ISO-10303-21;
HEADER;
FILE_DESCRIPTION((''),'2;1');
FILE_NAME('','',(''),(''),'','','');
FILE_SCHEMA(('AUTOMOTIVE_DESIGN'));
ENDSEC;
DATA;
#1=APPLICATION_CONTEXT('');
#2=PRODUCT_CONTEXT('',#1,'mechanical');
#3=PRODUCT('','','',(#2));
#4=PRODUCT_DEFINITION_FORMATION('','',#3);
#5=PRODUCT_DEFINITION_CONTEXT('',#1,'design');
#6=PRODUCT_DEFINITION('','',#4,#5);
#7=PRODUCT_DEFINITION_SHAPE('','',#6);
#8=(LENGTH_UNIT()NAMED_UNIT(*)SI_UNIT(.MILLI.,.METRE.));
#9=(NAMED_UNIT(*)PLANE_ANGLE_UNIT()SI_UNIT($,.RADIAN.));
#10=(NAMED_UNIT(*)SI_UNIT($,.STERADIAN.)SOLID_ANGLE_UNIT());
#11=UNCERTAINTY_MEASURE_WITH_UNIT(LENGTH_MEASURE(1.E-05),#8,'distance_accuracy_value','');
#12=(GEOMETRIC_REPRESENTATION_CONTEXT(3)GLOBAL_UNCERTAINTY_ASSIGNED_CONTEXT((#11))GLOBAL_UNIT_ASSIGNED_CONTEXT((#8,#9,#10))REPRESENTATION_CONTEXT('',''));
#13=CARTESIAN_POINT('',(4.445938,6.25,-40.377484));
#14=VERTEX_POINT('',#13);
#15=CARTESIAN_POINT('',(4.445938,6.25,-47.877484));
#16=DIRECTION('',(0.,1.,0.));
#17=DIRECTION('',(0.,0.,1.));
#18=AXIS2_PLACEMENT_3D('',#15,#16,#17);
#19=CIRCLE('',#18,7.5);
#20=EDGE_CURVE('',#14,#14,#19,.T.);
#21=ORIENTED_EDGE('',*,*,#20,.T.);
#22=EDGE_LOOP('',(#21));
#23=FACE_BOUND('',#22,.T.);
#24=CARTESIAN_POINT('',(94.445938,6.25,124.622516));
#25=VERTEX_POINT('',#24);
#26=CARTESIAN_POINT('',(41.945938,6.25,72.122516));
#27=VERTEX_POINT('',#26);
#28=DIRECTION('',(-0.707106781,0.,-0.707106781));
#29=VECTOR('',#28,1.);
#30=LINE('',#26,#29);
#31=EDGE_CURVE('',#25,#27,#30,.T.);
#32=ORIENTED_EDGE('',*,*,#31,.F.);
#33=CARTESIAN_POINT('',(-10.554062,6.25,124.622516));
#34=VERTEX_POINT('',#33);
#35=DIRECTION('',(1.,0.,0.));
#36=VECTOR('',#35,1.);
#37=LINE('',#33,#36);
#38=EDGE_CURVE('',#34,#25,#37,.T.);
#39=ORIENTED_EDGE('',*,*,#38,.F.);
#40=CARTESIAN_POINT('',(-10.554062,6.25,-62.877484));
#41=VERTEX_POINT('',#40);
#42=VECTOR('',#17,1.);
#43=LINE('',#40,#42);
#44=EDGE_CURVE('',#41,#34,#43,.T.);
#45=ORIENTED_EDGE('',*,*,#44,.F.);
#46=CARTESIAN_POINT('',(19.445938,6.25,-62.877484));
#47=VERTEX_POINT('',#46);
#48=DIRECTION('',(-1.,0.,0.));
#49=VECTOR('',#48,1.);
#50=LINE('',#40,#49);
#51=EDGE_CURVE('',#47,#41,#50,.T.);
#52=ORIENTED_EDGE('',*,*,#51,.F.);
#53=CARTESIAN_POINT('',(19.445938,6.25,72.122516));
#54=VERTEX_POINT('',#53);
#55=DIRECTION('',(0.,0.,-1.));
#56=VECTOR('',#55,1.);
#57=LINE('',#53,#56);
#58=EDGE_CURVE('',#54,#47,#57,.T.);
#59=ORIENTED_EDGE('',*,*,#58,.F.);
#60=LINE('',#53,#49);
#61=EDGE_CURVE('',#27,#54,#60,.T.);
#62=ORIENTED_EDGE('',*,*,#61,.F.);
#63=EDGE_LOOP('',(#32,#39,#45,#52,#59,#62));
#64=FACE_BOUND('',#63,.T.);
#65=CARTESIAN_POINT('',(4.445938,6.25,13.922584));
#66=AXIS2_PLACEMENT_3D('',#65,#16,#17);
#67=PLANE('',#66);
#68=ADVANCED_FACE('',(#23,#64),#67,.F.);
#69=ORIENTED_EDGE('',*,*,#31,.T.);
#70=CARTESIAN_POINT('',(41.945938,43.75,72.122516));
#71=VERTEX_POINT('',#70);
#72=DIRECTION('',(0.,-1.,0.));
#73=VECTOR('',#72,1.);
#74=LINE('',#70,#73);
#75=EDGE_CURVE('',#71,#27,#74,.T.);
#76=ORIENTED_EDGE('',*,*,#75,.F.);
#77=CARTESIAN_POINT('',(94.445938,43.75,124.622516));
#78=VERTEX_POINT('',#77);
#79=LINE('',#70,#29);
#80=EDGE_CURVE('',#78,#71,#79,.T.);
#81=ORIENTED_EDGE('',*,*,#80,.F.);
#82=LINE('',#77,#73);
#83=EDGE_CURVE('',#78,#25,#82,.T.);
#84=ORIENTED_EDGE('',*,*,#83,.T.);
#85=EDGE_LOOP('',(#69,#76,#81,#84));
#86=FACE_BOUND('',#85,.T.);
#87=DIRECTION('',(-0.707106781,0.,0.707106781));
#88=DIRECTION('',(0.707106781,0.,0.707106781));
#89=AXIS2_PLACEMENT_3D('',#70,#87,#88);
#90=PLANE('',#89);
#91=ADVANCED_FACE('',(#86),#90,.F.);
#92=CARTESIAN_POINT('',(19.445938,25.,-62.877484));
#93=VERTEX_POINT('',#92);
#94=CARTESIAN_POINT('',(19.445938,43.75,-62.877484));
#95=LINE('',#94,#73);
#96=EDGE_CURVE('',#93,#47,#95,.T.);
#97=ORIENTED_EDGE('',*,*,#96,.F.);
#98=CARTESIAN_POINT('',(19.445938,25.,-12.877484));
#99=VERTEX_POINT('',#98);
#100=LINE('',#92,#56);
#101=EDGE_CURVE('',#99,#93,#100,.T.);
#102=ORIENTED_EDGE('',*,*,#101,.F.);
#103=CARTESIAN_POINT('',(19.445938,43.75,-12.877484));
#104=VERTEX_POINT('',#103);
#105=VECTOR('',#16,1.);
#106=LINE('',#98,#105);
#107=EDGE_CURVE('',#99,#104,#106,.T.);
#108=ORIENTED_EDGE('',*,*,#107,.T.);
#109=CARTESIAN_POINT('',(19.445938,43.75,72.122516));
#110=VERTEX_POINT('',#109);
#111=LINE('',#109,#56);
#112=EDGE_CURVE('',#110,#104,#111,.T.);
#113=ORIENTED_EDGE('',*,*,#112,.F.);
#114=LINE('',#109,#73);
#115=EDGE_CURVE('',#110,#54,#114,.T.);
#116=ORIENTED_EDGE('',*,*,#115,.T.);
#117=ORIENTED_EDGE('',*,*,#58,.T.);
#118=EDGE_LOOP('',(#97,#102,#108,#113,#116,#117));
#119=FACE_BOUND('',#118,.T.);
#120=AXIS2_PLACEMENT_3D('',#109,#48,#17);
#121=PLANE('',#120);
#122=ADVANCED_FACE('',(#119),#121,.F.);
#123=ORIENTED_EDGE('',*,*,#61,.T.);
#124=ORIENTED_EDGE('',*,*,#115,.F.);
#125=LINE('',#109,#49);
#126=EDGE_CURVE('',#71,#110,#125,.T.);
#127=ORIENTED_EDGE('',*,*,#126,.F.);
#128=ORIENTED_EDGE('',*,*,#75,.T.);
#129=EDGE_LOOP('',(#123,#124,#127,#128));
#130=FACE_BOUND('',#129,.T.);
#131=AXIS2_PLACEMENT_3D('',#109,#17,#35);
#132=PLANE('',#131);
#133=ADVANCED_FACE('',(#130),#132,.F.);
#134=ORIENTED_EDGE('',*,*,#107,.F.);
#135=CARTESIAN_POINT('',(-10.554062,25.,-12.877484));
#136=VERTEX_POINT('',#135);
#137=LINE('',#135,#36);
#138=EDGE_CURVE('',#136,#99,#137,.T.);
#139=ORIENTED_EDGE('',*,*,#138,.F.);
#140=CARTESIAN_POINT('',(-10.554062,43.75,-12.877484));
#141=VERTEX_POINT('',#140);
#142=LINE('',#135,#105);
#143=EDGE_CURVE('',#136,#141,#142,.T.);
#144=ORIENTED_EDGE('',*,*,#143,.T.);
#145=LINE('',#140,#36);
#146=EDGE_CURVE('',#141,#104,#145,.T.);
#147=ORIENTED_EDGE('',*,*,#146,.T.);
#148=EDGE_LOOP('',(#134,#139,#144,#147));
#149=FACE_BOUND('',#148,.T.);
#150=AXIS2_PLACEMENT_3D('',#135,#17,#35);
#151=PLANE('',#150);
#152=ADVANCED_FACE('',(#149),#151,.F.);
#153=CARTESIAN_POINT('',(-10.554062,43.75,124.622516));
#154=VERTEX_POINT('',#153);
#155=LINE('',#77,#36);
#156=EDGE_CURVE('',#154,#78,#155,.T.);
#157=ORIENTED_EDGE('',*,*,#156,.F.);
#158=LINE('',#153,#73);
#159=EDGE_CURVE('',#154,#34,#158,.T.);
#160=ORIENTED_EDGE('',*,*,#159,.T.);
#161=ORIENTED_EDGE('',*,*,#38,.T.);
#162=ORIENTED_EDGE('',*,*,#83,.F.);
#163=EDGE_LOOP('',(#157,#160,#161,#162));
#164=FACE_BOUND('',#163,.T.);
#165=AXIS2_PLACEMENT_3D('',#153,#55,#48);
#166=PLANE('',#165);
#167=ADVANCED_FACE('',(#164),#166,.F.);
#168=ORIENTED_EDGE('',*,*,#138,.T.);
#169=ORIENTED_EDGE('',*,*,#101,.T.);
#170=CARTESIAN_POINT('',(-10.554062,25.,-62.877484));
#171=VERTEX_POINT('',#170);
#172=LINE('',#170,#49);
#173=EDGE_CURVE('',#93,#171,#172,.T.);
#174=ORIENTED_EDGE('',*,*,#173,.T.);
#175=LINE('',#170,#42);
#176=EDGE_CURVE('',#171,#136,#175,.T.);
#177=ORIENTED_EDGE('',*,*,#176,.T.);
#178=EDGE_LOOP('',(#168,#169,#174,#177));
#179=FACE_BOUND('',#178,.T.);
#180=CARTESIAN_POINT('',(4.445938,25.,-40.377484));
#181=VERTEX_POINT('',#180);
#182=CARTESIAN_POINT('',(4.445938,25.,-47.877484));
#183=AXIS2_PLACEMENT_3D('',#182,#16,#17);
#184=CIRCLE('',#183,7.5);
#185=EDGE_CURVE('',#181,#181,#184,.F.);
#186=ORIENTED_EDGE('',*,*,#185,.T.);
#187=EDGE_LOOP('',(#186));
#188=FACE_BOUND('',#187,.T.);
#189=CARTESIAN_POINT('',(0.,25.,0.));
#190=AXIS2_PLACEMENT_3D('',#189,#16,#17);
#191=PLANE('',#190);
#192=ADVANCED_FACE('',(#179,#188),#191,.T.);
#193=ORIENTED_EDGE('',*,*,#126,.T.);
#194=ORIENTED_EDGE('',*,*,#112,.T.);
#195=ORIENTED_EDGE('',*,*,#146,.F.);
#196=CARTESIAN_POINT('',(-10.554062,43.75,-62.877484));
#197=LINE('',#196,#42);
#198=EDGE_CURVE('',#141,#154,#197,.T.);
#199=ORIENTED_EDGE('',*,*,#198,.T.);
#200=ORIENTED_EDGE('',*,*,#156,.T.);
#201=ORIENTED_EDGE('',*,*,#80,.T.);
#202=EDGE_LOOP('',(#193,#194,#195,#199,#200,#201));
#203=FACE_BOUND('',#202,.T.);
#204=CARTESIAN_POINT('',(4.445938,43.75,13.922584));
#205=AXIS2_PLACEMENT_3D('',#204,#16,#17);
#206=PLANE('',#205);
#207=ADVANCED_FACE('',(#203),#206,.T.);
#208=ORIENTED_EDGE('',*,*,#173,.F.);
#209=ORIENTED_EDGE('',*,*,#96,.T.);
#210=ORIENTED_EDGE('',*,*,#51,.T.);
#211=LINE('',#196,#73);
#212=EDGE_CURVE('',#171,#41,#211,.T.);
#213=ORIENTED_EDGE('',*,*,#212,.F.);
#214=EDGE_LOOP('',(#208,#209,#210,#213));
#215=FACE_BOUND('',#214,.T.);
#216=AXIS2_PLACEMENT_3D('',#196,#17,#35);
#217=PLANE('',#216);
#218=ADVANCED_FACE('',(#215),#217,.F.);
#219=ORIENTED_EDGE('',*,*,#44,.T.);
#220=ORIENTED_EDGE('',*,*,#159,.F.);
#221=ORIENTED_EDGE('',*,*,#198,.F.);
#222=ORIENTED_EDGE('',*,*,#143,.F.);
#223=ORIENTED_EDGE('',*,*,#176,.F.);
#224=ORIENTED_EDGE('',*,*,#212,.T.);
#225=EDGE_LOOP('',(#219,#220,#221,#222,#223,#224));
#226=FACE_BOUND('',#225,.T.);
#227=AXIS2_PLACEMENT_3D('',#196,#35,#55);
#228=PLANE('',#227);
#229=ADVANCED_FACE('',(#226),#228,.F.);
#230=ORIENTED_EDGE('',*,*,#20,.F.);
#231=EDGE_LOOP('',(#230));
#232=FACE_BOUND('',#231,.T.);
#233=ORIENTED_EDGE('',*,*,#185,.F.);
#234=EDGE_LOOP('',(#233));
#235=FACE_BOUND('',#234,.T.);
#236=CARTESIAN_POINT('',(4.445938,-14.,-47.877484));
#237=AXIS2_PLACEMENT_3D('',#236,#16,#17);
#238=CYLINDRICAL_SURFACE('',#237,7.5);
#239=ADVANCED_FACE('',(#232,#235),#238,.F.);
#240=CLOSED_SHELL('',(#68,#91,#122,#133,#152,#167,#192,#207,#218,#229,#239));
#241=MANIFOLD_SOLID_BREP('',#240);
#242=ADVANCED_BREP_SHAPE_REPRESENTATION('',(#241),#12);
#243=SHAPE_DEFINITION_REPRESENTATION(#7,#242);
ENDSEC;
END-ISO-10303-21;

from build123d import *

# Parameters (mm, degrees)
BOSS_EXTRUDE1_DEPTH = 50
SKETCH2_R           = 10
CUT_EXTRUDE1_DEPTH  = 77
SCALE1_SCALE        = 0.75
SKETCH4_W           = 30
SKETCH4_H           = 50
CUT_EXTRUDE2_DEPTH  = 18.75


with BuildPart() as part:
    # Sketch1 → Boss-Extrude1 (new body)
    with BuildSketch(Plane(origin=(0, 0, 0), x_dir=(1, 0, 0), z_dir=(0, 1, 0))):
        Polygon((50, -77.599909443), (120, -147.599909443), (50, -147.599909443), (-20, -147.599909443), (-20, 102.400090557), (20, 102.400090557), (20, -77.599909443), align=None)
    extrude(amount=BOSS_EXTRUDE1_DEPTH)

    # Sketch2 → Cut-Extrude1 (cut)
    with BuildSketch(Plane(origin=(0, 50, 0), x_dir=(1, 0, 0), z_dir=(0, 1, 0))):
        with Locations(Location((0, 82.400090557, 0), (0, 0, 270))):
            Circle(SKETCH2_R)
    extrude(amount=-CUT_EXTRUDE1_DEPTH, mode=Mode.SUBTRACT)


with BuildPart() as part_1:
    # Scale1: scaled about (17.783752388, 25, 55.690336976)
    add(part.part.scale(SCALE1_SCALE).moved(Location((4.445938097, 6.25, 13.922584244))))

    # Sketch4 → Cut-Extrude2 (cut)
    with BuildSketch(Plane(origin=(0, 43.75, 0), x_dir=(1, 0, 0), z_dir=(0, 1, 0))):
        with Locations((4.445938097, 37.877483673)):
            Rectangle(SKETCH4_W, SKETCH4_H)
    extrude(amount=-CUT_EXTRUDE2_DEPTH, mode=Mode.SUBTRACT)


solid = part_1.part
